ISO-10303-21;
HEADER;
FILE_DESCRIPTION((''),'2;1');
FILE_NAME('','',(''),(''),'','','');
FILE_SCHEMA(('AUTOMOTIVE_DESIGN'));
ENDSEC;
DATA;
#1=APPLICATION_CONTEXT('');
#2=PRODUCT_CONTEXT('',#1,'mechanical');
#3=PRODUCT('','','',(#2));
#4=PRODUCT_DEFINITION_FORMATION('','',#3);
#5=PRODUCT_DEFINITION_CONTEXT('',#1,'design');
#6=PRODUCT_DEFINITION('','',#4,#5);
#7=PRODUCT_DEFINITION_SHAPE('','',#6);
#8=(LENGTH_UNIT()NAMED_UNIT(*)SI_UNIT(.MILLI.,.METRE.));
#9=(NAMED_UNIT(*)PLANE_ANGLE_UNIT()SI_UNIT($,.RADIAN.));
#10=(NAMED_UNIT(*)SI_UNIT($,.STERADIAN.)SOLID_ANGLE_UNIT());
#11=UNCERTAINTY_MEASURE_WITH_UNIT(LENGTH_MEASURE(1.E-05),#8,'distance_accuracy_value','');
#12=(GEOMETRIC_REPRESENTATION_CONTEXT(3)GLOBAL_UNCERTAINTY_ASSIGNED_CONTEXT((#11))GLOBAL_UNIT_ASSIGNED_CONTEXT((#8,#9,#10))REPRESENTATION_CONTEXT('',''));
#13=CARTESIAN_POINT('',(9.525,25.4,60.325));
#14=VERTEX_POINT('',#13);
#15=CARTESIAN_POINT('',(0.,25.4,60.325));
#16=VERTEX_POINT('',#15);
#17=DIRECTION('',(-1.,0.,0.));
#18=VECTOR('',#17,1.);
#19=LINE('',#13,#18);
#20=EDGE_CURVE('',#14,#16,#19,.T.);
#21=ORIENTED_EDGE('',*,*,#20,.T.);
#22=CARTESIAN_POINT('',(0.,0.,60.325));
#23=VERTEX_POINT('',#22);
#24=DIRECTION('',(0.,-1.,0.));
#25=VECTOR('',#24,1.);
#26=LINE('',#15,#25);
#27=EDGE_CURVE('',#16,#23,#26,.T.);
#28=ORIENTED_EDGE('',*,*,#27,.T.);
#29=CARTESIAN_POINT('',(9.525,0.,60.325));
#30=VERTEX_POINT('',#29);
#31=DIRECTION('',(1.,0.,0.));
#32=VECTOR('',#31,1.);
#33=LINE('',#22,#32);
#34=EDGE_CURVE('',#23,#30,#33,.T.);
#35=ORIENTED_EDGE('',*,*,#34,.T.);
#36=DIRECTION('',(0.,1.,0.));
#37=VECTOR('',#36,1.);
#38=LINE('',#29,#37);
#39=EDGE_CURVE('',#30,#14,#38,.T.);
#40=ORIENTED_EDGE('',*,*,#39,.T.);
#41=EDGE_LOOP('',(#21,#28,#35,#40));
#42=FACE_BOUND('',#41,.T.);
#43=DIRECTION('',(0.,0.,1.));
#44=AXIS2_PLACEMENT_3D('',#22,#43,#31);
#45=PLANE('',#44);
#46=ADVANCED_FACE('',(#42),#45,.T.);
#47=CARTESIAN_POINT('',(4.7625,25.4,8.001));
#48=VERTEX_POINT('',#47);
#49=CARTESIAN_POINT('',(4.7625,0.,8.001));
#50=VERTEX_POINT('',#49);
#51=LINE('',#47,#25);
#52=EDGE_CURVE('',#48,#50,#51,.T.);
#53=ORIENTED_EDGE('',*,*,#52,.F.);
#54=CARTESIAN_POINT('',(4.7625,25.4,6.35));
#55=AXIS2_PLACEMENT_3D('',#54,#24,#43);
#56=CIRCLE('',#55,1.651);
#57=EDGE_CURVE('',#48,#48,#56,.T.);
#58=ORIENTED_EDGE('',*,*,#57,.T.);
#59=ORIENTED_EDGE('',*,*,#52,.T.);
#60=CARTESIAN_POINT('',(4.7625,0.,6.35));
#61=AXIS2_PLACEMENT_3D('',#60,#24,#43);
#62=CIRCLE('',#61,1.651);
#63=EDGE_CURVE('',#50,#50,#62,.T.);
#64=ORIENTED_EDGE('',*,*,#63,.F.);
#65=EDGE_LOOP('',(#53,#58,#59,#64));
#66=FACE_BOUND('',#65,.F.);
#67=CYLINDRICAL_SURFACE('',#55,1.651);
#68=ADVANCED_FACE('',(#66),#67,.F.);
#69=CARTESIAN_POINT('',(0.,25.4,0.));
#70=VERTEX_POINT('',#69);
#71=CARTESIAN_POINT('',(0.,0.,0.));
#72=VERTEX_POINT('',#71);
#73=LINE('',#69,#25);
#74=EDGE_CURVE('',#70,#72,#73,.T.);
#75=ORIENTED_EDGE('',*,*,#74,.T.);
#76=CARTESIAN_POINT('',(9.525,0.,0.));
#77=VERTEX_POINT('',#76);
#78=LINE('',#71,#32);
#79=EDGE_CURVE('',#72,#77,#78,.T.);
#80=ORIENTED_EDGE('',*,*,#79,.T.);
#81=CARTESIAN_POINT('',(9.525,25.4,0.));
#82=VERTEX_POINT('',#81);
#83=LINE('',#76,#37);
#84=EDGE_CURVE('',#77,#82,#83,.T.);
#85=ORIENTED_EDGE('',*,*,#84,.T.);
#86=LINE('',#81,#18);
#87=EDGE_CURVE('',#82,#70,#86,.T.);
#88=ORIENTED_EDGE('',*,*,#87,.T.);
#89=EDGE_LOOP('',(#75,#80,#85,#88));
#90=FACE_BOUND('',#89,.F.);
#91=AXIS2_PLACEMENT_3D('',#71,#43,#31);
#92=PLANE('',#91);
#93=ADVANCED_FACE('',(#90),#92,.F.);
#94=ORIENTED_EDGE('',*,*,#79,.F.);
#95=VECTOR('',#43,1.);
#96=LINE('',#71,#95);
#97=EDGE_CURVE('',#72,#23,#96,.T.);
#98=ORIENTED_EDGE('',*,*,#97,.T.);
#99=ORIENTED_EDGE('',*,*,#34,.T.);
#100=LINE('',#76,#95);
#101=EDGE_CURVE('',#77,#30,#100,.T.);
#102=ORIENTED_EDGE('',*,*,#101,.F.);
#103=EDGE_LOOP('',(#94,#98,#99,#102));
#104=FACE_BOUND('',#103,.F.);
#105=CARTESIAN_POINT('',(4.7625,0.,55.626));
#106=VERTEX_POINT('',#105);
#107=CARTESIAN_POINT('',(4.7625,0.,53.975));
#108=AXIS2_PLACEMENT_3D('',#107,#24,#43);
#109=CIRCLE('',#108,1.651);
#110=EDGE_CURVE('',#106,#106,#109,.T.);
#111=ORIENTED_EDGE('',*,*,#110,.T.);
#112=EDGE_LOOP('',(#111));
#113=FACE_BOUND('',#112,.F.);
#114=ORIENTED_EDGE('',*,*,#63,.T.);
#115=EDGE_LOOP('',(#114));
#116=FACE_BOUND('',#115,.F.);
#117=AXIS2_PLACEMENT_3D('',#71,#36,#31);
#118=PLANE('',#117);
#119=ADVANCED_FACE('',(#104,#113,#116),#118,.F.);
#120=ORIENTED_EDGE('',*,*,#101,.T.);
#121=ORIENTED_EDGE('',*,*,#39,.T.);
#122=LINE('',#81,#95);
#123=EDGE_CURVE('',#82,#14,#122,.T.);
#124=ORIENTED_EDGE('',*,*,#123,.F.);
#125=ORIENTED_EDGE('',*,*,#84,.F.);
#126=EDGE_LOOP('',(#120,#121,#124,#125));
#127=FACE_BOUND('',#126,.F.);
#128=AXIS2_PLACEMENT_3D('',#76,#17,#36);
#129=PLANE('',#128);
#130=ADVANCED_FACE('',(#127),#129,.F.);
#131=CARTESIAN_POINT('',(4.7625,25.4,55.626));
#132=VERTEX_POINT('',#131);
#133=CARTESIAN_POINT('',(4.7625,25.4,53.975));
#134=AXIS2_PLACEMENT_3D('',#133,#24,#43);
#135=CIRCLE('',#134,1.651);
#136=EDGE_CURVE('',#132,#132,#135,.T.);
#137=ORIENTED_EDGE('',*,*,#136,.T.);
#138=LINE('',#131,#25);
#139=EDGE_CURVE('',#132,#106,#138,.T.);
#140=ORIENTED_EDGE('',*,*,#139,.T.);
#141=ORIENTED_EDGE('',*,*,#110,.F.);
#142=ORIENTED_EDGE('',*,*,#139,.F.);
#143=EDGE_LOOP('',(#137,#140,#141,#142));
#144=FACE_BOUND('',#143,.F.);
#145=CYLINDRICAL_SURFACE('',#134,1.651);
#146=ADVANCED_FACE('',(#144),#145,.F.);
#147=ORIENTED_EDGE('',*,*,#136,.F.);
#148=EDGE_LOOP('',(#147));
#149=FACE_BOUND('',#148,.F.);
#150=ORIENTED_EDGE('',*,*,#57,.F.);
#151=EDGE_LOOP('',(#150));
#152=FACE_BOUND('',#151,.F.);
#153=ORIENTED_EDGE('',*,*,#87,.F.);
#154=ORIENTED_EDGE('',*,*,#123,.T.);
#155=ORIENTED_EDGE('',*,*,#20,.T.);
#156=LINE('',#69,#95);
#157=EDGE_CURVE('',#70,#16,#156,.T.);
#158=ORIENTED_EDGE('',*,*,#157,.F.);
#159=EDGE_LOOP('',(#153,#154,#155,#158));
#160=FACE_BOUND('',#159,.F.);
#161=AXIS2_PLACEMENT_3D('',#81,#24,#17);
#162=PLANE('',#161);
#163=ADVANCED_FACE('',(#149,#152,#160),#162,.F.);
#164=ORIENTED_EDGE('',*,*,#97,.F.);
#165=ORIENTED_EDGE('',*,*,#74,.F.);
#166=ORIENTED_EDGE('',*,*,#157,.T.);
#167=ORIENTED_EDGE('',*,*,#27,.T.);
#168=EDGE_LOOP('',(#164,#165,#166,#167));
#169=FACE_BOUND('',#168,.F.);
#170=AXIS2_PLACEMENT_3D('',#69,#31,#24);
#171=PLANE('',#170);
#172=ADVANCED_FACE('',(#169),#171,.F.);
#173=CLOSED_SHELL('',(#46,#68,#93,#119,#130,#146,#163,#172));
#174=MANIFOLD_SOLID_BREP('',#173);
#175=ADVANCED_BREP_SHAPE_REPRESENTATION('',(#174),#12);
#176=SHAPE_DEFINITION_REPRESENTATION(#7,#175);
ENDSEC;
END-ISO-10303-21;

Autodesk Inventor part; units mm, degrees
ref_plane "YZ Plane" through (0, 0, 0) normal (1, 0, 0) x (0, 1, 0)
ref_plane "XZ Plane" through (0, 0, 0) normal (0, 1, 0) x (-1, 0, 0)
ref_plane "XY Plane" through (0, 0, 0) normal (0, 0, 1) x (1, 0, 0)
sketch "Sketch1" plane through (0, 0, 0) normal (0, 0, 1) x (1, 0, 0)
  line L0 (0, 0) -> (9.525, 0)
  line L1 (9.525, 0) -> (9.525, 25.4)
  line L2 (9.525, 25.4) -> (0, 25.4)
  line L3 (0, 25.4) -> (0, 0)
  dimension "d0" = 9.525
  dimension "d1" = 25.4
extrude "Extrusion1" add sketch "Sketch1" along normal blind 60.325
sketch "Sketch2" plane through (0, 25.4, 0) normal (0, 1, 0) x (1, 0, 0)
  line L0 (0, 0) -> (0, -60.325) construction
  line L1 (9.525, -60.325) -> (0, -60.325) construction
  line L2 (0, -30.1625) -> (9.525, -30.1625) construction
  point P0 (4.7625, -53.975)
  point P1 (4.7625, -6.35)
  dimension "d4" = 4.7625
  dimension "d5" = 6.35
hole "Hole1" at (4.7625, 25.4, 53.975) at (4.7625, 25.4, 6.35) direction (0, -1, 0) diameter 3.302 end through all thread size "8-32 UNC" class "2B" standard "ANSI Unified Screw Threads"
properties part number "ImagineFrameSides" material "SAN Plastic"
